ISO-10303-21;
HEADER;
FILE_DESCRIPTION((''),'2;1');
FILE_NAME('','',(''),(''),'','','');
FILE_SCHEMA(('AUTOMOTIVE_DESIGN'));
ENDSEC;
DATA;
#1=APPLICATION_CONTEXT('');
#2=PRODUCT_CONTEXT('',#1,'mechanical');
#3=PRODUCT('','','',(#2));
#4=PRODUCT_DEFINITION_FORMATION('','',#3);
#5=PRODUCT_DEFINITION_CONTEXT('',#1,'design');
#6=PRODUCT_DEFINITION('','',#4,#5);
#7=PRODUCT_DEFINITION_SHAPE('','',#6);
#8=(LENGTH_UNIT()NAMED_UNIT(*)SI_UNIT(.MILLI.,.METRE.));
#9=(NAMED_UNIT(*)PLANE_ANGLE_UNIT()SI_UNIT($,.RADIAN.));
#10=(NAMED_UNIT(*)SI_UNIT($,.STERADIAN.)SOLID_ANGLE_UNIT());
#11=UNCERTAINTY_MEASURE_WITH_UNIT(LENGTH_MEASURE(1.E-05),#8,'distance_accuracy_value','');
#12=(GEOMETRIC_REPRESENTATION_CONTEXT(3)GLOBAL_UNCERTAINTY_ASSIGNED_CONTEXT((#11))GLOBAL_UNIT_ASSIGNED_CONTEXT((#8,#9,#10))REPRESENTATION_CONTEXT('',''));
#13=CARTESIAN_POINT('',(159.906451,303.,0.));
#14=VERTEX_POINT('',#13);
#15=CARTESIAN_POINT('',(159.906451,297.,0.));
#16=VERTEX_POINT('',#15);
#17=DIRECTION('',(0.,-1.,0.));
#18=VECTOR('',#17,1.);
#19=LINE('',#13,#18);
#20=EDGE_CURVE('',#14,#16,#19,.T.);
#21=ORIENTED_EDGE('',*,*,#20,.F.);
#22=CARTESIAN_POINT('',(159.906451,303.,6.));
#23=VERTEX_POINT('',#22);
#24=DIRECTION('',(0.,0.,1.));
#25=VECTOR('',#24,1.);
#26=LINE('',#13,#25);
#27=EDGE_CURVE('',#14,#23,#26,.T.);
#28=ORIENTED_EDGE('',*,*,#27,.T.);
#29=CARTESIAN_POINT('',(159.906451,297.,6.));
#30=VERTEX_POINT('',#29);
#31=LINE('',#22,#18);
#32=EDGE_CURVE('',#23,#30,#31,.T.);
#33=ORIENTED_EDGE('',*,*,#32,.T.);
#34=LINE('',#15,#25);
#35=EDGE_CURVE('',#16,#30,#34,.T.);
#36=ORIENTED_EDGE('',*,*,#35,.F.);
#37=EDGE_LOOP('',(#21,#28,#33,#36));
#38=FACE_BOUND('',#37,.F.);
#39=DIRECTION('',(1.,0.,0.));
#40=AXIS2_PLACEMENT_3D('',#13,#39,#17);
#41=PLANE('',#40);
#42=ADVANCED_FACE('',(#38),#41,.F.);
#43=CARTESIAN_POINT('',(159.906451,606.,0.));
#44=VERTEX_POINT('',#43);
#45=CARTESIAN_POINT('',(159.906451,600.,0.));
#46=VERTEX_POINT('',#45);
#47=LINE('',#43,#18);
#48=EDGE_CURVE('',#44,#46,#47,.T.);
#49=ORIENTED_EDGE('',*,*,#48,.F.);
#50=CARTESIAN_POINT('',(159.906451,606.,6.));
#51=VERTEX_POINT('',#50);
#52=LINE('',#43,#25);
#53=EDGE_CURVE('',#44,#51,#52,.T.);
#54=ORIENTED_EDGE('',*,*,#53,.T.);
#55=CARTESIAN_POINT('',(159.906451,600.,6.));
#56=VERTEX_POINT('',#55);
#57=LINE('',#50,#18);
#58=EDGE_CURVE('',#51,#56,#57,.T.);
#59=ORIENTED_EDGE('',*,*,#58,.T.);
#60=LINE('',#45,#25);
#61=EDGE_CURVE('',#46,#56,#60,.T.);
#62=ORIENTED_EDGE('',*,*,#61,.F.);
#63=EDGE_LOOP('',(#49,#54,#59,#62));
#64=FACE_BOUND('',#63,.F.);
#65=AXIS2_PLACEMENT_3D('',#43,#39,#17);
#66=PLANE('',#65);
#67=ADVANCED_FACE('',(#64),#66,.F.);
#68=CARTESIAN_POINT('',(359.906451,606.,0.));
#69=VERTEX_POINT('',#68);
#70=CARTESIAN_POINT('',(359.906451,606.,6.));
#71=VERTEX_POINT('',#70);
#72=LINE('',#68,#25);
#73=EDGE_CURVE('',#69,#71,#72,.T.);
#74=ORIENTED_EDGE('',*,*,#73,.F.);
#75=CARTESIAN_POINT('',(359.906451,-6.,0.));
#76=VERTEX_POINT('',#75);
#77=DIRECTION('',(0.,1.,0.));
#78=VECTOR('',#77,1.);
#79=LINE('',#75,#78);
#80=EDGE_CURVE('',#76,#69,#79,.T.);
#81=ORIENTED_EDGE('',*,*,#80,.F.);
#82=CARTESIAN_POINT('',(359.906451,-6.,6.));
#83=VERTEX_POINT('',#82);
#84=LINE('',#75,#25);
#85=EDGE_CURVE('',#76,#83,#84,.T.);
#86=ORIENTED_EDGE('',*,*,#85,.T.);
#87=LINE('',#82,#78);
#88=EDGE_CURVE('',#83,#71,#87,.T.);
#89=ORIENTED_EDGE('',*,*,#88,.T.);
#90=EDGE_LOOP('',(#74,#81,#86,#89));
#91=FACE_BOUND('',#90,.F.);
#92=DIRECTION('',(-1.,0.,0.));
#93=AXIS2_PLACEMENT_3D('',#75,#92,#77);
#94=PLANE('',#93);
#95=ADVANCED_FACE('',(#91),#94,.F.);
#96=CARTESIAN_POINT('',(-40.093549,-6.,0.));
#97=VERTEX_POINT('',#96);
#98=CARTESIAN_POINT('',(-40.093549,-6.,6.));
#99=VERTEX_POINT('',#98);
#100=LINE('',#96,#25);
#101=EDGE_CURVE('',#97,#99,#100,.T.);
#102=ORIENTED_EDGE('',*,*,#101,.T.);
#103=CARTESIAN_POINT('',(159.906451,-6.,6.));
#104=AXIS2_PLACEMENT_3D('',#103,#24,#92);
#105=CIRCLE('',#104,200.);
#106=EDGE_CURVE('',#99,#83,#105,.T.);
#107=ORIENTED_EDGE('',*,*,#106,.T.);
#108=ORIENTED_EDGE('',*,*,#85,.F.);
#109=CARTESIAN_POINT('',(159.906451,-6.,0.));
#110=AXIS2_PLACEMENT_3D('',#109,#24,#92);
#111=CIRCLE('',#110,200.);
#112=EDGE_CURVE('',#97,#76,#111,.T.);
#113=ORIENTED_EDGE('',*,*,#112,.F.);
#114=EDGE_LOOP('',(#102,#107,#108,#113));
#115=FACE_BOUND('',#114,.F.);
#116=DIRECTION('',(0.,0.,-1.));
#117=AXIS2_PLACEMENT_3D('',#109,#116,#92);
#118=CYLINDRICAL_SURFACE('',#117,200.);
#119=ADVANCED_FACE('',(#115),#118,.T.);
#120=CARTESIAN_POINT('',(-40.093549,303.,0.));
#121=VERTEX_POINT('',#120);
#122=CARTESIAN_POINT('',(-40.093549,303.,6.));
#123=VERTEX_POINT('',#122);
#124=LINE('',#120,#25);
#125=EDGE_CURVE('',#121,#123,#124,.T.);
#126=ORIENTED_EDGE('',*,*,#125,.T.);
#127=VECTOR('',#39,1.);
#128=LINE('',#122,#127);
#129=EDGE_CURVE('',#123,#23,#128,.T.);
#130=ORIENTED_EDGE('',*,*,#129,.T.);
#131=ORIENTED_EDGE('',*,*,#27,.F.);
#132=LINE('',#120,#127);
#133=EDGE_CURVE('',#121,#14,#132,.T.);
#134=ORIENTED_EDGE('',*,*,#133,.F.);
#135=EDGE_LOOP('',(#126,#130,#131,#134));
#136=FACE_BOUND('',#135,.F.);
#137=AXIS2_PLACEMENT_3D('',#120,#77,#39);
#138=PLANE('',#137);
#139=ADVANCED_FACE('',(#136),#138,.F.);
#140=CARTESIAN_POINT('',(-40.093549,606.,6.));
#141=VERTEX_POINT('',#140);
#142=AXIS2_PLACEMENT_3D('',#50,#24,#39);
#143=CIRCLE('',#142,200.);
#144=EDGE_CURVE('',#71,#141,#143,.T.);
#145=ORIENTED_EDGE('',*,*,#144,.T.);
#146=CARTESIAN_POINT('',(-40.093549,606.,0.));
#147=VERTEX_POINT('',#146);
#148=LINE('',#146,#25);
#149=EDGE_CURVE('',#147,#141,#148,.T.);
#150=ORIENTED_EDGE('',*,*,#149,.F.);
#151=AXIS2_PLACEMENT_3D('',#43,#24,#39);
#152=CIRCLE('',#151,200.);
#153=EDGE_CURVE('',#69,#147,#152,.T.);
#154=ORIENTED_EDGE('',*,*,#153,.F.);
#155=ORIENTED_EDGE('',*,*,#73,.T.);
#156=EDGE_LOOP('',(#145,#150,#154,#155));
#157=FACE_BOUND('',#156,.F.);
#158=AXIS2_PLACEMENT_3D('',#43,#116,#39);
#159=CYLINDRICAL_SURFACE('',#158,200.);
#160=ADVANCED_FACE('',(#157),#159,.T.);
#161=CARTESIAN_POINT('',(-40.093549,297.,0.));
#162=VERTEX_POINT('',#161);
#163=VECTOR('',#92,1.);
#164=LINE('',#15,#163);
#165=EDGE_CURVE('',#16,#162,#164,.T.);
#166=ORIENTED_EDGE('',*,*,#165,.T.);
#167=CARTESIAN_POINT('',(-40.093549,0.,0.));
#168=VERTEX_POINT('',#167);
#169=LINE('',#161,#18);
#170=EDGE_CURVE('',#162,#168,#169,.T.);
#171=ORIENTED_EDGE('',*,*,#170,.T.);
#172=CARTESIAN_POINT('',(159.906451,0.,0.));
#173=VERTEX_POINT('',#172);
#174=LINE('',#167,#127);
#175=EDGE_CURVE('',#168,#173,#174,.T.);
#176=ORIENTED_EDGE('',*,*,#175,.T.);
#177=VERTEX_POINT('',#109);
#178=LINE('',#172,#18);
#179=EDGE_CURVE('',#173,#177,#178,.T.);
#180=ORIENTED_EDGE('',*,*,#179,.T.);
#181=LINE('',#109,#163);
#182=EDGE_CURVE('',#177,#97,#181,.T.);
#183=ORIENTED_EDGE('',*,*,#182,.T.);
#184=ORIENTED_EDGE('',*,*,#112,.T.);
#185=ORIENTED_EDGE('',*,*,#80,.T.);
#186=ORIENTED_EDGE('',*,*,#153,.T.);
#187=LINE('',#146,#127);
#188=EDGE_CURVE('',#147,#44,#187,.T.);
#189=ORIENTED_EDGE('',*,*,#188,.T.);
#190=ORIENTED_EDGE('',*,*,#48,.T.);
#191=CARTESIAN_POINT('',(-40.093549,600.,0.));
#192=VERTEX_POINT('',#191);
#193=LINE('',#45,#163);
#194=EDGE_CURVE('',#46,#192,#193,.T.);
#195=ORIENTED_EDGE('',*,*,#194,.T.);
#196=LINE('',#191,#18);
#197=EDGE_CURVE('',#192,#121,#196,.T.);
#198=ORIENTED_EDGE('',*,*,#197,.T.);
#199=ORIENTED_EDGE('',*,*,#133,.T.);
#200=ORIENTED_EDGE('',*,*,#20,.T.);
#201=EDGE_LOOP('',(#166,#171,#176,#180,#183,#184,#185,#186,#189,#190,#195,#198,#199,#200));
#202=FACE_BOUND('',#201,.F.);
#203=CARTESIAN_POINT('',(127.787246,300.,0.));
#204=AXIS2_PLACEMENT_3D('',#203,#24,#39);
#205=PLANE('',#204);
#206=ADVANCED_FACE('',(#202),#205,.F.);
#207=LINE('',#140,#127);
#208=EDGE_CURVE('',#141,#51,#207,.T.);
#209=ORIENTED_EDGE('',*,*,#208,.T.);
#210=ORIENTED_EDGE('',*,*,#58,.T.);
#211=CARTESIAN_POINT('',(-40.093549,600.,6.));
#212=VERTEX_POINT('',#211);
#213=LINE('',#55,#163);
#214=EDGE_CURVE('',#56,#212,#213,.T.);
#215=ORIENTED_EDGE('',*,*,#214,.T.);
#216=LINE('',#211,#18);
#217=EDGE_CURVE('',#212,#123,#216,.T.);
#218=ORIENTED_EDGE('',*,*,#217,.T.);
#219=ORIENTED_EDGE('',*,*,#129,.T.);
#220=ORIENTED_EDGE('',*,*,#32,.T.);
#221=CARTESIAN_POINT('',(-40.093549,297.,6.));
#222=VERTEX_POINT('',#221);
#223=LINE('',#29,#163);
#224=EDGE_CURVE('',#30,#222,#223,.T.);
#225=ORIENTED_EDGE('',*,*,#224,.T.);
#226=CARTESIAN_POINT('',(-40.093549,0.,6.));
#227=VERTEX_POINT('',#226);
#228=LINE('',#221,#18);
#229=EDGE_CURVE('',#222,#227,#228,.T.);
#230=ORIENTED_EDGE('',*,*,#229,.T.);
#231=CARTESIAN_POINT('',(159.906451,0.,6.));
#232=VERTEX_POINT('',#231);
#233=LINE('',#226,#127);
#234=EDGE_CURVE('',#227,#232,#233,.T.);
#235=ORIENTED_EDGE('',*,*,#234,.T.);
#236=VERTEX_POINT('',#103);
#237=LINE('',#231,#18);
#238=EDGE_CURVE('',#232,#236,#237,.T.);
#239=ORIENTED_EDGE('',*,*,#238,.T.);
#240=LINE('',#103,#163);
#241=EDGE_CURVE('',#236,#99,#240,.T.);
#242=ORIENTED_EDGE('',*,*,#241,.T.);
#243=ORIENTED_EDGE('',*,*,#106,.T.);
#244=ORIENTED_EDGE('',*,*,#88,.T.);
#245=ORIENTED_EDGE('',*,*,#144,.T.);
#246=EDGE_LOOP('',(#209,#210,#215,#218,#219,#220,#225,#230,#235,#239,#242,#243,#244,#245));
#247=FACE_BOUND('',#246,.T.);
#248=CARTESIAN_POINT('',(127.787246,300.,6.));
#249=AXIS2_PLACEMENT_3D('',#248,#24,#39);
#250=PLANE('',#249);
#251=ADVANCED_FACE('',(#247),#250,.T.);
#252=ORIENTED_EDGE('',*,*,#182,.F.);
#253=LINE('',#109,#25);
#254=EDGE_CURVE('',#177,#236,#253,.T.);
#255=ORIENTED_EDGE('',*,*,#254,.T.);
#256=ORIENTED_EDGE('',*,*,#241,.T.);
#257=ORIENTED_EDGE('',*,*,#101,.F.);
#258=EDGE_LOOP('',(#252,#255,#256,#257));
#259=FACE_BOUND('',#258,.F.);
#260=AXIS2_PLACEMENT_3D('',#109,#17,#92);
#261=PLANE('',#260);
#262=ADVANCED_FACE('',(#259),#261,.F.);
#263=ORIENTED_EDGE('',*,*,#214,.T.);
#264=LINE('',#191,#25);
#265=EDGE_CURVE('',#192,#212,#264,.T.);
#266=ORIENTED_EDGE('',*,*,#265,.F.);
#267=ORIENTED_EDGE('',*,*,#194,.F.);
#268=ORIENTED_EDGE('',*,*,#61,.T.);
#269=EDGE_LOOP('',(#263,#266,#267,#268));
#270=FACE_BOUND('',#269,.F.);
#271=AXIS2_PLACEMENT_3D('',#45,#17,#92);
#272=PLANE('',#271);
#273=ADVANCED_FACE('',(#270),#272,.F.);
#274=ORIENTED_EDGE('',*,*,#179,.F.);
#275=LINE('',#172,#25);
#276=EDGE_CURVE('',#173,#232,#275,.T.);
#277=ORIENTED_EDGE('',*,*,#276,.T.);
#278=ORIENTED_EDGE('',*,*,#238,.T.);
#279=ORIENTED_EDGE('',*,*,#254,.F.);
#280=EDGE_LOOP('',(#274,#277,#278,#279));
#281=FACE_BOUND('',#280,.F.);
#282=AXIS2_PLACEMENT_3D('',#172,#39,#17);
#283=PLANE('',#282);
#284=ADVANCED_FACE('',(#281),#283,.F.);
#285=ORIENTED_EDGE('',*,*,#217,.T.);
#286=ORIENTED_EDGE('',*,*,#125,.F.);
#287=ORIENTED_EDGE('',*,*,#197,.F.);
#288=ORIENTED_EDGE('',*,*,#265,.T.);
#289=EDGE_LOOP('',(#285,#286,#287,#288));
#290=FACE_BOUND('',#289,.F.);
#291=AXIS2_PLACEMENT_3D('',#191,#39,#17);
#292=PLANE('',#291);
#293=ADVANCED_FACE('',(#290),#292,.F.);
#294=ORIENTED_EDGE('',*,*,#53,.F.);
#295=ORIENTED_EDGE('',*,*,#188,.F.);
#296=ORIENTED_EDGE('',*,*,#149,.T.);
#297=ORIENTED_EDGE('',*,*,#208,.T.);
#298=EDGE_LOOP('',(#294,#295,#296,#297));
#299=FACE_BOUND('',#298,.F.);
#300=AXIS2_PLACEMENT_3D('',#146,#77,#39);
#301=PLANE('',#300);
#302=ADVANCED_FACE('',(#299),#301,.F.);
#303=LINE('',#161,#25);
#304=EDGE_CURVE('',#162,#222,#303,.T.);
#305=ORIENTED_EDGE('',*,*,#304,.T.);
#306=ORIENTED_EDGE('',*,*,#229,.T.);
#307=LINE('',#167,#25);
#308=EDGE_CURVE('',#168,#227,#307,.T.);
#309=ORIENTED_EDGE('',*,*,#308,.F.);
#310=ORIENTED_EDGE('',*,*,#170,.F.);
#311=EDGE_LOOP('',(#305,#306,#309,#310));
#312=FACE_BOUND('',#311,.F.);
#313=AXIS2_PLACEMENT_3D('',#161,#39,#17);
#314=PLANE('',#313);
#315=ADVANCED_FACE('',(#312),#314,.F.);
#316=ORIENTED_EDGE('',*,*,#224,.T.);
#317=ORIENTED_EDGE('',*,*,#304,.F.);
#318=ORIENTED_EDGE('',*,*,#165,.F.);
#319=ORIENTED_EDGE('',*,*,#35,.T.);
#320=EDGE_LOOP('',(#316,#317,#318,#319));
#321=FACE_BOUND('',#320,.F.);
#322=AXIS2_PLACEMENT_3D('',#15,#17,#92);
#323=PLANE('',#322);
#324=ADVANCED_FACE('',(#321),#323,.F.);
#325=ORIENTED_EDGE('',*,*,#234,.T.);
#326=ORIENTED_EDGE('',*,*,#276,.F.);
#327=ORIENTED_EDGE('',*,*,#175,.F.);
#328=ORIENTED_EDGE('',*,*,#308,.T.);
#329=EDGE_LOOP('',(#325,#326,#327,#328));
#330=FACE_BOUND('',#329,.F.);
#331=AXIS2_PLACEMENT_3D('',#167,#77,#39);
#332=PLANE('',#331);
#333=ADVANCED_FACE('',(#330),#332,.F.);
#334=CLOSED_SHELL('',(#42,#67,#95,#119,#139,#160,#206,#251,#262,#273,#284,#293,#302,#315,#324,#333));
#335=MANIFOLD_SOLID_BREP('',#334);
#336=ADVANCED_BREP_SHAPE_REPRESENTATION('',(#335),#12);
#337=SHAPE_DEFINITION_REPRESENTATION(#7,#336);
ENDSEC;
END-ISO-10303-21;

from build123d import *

# Parameters (mm, degrees)
F1_DEPTH = 6


with BuildPart() as f1:
    # F0 (on Top) → F1 (new body)
    with BuildSketch(Plane.XY):
        with BuildLine():
            ThreePointArc((359.906451, 606), (159.906451, 806), (-40.093549, 606))
            Line((-40.093549, 606), (159.906451, 606))
            Line((159.906451, 606), (159.906451, 600))
            Line((159.906451, 600), (-40.093549, 600))
            Line((-40.093549, 600), (-40.093549, 303))
            Line((-40.093549, 303), (159.906451, 303))
            Line((159.906451, 303), (159.906451, 297))
            Line((159.906451, 297), (-40.093549, 297))
            Line((-40.093549, 297), (-40.093549, 0))
            Line((-40.093549, 0), (159.906451, 0))
            Line((159.906451, 0), (159.906451, -6))
            Line((159.906451, -6), (-40.093549, -6))
            ThreePointArc((-40.093549, -6), (159.906451, -206), (359.906451, -6))
            Line((359.906451, -6), (359.906451, 606))
        make_face()
    extrude(amount=F1_DEPTH)


solid = f1.part
